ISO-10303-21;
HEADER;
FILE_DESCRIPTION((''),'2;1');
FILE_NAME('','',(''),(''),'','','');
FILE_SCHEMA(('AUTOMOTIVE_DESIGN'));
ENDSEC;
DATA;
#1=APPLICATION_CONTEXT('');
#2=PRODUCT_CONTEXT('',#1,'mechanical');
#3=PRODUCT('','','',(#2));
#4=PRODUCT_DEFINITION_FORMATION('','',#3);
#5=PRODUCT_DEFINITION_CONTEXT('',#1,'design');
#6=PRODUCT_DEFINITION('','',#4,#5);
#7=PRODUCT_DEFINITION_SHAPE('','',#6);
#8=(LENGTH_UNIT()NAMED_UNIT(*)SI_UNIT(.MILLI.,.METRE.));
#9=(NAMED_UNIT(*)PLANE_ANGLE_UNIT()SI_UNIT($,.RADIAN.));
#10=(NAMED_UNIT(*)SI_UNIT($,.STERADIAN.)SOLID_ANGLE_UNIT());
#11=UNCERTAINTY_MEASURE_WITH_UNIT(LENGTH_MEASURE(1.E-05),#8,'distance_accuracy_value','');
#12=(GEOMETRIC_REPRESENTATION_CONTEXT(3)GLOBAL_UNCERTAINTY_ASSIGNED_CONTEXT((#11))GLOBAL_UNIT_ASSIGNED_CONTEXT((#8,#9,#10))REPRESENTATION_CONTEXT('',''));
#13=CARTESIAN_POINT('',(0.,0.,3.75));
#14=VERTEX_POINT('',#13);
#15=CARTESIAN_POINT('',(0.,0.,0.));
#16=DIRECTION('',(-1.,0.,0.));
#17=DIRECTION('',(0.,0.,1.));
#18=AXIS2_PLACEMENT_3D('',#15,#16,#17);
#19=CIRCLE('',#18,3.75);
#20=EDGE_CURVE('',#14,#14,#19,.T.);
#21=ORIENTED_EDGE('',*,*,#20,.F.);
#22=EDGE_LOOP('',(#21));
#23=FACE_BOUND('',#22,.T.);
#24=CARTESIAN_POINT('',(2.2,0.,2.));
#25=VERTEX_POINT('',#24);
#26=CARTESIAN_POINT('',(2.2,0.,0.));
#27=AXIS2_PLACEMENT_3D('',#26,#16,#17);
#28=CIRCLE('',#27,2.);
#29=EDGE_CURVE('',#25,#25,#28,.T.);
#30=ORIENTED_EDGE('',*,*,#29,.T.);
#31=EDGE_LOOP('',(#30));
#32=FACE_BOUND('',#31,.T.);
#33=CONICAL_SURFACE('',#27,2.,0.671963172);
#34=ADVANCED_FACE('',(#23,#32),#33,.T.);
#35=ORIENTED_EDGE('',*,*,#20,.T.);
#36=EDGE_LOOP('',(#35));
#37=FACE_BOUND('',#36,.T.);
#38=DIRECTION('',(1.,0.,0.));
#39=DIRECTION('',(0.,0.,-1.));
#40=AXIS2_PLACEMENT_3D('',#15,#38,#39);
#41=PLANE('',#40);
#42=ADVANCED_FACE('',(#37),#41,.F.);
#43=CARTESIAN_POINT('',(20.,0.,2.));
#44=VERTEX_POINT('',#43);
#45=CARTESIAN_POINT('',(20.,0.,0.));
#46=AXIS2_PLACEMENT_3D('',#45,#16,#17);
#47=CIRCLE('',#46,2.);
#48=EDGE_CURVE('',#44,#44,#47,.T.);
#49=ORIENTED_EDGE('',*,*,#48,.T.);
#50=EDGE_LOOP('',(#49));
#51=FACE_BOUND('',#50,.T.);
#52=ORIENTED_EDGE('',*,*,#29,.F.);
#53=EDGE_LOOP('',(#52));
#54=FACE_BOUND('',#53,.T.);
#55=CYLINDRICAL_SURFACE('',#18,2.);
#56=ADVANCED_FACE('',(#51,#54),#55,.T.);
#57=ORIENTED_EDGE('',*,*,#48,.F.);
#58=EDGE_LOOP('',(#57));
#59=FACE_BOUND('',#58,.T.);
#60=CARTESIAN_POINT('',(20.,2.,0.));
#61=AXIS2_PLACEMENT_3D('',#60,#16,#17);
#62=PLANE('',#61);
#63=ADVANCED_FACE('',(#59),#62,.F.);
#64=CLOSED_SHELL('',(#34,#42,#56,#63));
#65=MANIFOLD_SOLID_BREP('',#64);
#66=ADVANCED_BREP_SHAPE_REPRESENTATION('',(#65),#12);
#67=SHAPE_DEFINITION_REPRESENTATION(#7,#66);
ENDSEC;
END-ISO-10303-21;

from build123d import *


with BuildPart() as part:
    # Sketch1 → Revolve1 (revolve)
    with BuildSketch(Plane.XY, mode=Mode.PRIVATE) as revolve1_sk:
        Polygon((0, 0), (0, 3.75), (2.2, 2), (20, 2), (20, 0), align=None)
    revolve(revolve1_sk.sketch.rotate(Axis((0, 0, 0), (1, 0, 0)), 90), axis=Axis((0, 0, 0), (1, 0, 0)))


solid = part.part
